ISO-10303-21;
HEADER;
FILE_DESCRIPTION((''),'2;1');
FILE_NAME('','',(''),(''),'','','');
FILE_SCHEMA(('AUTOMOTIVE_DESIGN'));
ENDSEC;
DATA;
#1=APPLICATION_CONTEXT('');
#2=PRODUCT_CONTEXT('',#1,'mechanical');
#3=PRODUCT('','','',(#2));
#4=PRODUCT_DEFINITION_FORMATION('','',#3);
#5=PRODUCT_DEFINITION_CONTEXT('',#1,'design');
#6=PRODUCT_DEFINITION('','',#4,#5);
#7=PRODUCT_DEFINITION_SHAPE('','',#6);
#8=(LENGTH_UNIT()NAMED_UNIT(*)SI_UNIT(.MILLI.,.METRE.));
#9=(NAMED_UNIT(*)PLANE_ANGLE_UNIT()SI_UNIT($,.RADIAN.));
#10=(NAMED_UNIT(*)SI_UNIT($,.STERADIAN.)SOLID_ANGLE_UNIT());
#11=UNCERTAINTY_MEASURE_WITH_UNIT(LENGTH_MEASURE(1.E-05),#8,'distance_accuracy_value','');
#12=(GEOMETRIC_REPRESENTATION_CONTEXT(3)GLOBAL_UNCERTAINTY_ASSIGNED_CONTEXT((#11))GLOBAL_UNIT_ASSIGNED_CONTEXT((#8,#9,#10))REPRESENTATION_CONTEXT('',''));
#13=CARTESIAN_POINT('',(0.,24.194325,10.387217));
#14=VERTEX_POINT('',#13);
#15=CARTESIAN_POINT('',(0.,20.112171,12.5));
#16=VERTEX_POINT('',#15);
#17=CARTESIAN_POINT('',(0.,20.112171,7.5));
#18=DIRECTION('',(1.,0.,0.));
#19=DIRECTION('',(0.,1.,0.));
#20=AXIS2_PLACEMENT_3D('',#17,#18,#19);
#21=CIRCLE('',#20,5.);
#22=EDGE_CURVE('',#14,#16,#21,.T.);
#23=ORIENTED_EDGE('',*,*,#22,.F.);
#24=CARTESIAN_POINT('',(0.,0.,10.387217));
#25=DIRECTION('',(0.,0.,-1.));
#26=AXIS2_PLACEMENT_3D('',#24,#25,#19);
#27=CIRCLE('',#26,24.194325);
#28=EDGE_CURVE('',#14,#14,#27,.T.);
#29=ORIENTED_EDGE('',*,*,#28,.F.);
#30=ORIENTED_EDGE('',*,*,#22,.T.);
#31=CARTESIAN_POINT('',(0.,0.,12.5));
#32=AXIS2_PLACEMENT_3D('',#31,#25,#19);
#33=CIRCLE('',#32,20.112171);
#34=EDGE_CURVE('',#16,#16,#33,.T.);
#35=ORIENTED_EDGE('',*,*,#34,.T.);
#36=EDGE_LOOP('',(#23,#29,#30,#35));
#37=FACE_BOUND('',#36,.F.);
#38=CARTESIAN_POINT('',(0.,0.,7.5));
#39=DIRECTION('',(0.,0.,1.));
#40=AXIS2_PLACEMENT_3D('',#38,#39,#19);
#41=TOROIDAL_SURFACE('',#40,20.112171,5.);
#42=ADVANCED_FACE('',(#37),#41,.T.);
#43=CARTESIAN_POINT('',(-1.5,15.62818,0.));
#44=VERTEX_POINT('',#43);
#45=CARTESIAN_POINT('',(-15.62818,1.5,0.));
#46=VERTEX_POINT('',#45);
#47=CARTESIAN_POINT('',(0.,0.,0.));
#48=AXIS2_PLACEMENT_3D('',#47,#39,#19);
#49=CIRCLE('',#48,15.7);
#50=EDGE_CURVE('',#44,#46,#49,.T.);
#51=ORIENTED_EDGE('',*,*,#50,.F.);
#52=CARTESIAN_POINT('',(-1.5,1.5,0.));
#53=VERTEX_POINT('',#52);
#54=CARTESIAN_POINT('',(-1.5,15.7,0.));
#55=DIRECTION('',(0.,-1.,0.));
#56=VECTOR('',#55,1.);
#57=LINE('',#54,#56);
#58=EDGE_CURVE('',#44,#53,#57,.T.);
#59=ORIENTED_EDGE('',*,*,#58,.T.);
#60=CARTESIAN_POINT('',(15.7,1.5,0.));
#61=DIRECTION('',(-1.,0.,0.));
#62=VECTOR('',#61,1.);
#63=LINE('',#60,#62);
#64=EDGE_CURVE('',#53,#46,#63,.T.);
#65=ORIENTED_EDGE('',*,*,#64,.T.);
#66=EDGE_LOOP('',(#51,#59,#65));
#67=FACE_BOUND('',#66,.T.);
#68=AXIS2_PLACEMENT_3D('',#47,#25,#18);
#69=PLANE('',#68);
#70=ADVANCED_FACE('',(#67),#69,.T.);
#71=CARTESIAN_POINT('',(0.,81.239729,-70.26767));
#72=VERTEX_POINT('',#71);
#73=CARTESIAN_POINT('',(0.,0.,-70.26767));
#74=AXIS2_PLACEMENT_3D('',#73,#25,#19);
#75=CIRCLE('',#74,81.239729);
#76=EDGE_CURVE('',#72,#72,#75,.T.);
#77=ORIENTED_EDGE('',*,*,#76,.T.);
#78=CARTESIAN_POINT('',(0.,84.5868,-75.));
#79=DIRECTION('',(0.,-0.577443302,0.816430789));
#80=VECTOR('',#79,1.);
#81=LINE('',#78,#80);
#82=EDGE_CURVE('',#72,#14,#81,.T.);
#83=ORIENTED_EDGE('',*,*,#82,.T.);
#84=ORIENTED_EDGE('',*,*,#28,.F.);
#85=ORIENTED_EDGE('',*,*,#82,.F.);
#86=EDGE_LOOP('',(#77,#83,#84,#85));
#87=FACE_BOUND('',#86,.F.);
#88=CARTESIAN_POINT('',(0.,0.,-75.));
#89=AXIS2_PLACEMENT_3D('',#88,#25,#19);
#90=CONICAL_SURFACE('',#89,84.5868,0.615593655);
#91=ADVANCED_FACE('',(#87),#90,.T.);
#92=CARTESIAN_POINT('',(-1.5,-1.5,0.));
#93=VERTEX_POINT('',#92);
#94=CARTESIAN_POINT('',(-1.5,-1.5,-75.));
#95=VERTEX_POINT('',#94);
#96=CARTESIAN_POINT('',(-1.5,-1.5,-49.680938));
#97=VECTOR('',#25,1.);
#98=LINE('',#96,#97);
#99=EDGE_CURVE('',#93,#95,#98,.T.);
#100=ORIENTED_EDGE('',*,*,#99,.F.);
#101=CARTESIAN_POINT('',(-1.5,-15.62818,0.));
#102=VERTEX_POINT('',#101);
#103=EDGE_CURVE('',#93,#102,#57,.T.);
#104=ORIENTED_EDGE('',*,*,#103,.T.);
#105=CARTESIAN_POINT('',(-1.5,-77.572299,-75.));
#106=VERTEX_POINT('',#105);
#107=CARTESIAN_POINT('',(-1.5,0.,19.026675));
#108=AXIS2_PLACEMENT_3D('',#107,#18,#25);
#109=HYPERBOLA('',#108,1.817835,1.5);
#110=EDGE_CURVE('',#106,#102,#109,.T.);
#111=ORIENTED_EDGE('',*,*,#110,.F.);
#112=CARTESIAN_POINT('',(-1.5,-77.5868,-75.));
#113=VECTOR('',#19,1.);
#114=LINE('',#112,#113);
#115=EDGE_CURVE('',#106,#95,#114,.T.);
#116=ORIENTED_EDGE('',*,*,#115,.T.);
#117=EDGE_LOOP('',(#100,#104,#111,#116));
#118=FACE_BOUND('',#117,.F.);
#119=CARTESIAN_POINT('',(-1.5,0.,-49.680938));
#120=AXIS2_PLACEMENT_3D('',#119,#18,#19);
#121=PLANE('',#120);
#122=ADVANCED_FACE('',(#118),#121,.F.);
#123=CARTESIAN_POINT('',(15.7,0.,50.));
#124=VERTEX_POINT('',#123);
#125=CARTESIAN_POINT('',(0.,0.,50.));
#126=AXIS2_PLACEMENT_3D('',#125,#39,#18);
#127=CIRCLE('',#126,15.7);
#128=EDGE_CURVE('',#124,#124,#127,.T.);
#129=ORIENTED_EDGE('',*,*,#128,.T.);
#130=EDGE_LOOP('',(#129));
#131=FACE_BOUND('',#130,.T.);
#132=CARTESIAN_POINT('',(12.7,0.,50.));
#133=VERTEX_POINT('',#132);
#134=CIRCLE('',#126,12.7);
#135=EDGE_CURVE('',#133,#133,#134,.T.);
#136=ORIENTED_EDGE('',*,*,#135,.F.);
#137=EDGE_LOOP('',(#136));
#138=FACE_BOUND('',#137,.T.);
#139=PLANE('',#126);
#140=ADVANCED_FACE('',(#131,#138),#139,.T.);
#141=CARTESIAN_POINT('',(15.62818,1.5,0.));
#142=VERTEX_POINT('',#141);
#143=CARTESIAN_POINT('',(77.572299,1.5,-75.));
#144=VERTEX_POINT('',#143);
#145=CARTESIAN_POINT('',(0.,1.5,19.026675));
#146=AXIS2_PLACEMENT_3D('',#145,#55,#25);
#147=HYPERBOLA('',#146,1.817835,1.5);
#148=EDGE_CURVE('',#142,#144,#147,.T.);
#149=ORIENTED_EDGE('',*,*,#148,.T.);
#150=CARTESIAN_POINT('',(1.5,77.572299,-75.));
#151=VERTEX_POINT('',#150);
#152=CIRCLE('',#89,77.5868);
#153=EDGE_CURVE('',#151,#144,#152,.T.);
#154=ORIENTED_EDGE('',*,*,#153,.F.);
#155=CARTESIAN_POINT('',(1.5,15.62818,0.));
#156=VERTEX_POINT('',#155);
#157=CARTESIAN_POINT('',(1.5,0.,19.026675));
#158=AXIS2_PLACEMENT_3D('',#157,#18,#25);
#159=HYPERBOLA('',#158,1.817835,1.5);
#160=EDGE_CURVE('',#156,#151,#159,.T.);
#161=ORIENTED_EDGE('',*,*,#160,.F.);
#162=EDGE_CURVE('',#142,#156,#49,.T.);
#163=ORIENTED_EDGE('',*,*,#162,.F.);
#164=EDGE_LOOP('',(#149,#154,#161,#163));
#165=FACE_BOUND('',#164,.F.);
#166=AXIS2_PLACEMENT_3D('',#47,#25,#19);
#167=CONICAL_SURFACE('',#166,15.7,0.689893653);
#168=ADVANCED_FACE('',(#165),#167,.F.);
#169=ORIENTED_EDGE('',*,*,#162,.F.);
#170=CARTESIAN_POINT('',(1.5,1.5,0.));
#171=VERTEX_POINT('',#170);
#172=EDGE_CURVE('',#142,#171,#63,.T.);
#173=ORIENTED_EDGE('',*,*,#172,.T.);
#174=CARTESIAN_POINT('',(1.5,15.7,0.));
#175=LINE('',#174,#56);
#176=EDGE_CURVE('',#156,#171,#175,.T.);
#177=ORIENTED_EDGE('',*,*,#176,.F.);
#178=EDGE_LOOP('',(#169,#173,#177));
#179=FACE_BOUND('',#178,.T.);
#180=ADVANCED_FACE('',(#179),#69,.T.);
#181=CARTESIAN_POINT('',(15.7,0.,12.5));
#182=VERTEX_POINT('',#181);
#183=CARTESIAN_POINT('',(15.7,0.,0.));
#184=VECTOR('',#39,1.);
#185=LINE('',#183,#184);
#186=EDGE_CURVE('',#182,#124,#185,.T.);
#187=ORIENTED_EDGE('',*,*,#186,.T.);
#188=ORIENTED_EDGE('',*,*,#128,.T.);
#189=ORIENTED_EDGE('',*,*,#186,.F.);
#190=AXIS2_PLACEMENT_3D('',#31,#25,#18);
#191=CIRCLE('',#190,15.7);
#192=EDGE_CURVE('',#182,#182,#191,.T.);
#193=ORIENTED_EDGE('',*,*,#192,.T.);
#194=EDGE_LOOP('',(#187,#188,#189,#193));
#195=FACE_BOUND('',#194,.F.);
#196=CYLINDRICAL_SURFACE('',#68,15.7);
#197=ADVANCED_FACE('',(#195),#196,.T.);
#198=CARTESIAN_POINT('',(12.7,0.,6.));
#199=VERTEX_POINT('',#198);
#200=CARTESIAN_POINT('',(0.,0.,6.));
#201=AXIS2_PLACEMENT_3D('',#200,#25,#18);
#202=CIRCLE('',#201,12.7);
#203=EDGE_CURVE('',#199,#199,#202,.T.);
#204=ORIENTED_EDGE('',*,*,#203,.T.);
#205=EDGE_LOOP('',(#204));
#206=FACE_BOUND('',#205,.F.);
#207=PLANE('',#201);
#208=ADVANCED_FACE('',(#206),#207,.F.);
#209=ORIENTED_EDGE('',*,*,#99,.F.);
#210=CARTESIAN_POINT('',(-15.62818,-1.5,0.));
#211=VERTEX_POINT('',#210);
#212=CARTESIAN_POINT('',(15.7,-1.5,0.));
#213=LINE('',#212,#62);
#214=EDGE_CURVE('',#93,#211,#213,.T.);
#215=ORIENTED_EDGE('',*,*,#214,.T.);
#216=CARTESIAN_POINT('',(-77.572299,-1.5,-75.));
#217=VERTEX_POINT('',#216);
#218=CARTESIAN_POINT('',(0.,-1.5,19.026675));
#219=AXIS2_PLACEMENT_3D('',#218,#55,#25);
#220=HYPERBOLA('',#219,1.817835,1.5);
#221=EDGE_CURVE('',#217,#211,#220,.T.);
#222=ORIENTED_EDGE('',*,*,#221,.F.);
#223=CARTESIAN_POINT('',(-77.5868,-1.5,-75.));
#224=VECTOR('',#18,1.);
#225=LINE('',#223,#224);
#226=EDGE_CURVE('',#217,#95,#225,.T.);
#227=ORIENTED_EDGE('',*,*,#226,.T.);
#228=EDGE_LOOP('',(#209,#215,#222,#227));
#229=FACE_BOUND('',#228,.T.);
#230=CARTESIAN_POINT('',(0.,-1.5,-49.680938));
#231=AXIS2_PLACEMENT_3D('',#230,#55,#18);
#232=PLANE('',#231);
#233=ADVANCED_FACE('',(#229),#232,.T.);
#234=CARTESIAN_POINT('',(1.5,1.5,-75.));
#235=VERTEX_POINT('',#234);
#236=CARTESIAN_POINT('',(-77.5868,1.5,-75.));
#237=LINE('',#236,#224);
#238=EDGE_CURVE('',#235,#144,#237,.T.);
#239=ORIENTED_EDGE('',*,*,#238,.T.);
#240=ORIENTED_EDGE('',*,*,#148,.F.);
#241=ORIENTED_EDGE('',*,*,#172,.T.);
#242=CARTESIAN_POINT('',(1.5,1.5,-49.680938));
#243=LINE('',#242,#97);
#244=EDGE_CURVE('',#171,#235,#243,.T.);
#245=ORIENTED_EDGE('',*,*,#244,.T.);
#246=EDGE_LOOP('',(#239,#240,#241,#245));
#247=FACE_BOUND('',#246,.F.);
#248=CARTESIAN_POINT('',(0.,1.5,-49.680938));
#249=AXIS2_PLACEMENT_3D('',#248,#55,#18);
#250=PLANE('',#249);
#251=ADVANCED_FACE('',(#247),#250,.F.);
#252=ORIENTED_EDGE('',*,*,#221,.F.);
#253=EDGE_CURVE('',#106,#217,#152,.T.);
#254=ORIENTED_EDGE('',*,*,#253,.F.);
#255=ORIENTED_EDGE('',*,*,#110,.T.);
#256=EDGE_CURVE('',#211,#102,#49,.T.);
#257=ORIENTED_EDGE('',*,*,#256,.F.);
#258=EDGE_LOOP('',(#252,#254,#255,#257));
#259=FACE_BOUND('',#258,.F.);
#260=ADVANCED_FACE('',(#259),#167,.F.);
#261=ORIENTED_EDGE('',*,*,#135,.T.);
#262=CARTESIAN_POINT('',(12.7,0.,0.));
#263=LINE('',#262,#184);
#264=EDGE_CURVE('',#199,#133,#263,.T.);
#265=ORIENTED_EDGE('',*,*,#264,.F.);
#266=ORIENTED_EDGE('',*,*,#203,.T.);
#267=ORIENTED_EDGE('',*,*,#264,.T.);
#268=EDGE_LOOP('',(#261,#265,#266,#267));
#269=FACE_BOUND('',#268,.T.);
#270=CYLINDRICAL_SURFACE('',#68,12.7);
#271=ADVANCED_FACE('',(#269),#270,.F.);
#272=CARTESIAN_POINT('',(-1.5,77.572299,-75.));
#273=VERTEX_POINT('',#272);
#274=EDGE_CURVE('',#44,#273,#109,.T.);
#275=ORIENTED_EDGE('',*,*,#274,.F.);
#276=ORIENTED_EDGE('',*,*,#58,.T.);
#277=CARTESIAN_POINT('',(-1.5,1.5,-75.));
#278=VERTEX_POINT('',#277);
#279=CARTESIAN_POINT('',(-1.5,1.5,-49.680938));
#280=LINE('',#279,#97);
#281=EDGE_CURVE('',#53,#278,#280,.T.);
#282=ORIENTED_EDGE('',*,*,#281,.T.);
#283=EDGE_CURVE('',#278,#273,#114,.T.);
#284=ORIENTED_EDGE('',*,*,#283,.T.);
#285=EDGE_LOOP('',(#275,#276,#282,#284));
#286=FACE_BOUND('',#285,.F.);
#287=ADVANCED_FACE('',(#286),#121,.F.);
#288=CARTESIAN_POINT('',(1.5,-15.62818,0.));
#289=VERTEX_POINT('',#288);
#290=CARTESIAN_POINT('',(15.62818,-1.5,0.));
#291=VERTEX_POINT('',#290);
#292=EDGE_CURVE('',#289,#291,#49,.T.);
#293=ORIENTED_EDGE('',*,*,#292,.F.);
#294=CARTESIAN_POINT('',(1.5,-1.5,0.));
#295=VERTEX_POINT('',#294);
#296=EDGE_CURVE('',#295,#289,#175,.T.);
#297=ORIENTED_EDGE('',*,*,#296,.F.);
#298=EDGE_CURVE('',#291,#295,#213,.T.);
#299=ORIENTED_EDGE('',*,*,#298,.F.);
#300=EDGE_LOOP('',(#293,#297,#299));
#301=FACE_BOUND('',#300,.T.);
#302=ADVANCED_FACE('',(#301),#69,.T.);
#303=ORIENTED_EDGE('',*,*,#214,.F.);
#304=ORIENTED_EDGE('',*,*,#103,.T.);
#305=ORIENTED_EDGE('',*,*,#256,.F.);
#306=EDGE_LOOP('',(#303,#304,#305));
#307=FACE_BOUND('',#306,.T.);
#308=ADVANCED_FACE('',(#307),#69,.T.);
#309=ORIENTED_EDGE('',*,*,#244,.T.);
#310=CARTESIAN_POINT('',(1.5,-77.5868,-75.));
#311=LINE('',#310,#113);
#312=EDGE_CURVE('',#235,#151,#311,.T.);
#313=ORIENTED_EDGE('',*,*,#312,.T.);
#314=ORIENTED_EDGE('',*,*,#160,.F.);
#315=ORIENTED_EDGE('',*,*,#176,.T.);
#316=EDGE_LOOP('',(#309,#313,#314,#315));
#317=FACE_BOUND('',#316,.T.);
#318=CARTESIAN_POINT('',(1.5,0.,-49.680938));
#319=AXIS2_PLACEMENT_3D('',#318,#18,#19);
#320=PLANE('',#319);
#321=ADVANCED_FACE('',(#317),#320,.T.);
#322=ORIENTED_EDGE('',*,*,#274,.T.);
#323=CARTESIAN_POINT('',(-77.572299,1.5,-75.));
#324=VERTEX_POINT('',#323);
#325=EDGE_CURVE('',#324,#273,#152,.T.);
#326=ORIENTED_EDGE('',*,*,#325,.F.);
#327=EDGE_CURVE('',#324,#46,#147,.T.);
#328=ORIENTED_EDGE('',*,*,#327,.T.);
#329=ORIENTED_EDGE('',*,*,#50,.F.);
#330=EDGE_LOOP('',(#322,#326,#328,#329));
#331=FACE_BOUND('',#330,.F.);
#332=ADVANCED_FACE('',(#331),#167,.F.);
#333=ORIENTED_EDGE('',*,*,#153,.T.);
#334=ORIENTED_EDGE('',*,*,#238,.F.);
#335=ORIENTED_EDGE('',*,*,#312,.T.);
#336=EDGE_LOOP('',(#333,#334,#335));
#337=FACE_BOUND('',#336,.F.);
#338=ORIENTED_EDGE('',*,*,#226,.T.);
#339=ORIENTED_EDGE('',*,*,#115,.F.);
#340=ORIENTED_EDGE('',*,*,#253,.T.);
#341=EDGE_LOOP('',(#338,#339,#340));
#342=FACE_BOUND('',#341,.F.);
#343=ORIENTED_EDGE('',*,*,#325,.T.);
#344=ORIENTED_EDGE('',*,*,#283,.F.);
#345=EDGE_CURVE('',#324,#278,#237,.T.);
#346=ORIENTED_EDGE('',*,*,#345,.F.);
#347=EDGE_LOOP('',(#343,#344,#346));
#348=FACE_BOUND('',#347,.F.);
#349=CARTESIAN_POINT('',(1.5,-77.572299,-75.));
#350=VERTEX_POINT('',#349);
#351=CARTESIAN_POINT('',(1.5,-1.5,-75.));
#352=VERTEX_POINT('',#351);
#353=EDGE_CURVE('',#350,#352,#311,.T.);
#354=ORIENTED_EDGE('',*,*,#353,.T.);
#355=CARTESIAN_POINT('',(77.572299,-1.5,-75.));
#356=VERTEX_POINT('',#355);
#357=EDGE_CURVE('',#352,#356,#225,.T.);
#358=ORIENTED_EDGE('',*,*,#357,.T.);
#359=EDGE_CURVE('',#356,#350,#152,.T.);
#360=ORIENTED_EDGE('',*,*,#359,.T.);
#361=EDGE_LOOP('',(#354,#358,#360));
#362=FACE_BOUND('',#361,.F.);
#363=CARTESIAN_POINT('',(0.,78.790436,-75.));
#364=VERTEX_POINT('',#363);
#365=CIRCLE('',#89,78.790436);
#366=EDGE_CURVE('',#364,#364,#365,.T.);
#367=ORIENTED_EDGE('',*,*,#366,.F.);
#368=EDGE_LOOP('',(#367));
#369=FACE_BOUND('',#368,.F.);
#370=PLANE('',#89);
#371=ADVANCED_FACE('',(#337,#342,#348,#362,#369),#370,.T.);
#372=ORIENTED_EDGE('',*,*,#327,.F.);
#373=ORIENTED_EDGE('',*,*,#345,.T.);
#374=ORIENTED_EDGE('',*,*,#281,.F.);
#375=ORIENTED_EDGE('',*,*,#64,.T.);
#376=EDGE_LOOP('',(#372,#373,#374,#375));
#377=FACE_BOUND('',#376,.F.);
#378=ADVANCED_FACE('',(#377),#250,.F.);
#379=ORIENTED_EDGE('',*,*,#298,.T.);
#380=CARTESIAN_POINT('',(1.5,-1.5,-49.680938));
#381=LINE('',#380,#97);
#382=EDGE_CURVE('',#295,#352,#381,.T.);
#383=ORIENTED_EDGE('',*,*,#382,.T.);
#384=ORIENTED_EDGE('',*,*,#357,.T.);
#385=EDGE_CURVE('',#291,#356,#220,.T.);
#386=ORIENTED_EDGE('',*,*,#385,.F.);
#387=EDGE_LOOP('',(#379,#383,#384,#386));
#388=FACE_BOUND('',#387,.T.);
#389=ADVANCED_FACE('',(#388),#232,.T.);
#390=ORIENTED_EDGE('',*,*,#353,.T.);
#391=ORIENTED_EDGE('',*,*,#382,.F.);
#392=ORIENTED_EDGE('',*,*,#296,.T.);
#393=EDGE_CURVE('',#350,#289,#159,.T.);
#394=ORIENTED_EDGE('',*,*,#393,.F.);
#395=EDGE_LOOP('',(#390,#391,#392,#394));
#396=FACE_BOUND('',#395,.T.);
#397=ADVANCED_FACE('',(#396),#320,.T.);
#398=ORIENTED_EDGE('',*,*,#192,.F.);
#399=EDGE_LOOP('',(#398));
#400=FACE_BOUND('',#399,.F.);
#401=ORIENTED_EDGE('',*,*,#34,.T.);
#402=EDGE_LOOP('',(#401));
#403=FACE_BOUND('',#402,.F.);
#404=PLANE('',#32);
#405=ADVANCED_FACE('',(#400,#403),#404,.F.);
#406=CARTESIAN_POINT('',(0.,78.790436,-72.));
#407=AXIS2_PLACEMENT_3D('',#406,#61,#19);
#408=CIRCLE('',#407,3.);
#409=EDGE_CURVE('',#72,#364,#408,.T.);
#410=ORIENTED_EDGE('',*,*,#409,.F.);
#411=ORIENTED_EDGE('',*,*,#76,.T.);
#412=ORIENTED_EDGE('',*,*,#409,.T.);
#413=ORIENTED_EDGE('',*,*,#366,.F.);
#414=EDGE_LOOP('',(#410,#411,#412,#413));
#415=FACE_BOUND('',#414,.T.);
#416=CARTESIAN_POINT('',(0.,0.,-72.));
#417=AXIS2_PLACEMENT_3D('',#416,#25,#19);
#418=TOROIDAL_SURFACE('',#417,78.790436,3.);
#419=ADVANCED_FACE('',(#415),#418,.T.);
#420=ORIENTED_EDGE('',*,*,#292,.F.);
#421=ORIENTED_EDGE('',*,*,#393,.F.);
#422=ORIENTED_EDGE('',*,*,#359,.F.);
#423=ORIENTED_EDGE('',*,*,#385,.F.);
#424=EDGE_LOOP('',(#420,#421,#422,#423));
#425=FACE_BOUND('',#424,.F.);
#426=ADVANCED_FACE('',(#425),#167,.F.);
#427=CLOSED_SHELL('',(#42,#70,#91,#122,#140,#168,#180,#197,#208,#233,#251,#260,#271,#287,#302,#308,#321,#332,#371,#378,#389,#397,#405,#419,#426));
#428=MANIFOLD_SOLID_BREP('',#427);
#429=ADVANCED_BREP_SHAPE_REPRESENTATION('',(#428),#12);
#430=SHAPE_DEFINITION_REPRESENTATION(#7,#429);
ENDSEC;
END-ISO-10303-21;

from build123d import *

# Parameters (mm, degrees)
F0_R     = 15.7
F0_R_2   = 12.7
F1_DEPTH = 50
F4_R     = 12.7
F5_DEPTH = 6
F7_DEPTH = 1.5
F9_DEPTH = 1.5
F10_R    = 5
F11_R    = 3


with BuildPart() as f1:
    # F0 (on Top) → F1 (new body)
    with BuildSketch(Plane.XY):
        Circle(F0_R)
        Circle(F0_R_2, mode=Mode.SUBTRACT)
    extrude(amount=F1_DEPTH)

    # F2 (on Right) → F3 (revolve)
    with BuildSketch(Plane.YZ):
        Polygon((22.7, 12.5), (15.7, 12.5), (15.7, 0), (77.5868, -75), (84.5868, -75), align=None)
    revolve(axis=Axis((0, 0, -38.817684), (0, 0, -1)))

    # F4 (on face) → F5 (join)
    with BuildSketch(Plane(origin=(0, 0, 0), x_dir=(1, 0, 0), z_dir=(0, 0, -1))):
        Circle(F4_R)
    extrude(amount=-F5_DEPTH)

    # F6 (on Right) → F7 (join, symmetric)
    with BuildSketch(Plane.YZ):
        Polygon((77.5868, -75), (15.7, 0), (0, 0), (-15.7, 0), (-77.5868, -75), (0, -75), align=None)
    extrude(amount=F7_DEPTH, both=True)

    # F8 (on Front) → F9 (join, symmetric)
    with BuildSketch(Plane.XZ):
        Polygon((77.5868, -75), (15.7, 0), (-15.7, 0), (-77.5868, -75), (0, -75), align=None)
    extrude(amount=F9_DEPTH, both=True)

    # F10
    f10_edges = [f1.edges().sort_by_distance(p)[0] for p in [
        (0, -22.7, 12.5),
    ]]
    fillet(f10_edges, radius=F10_R)

    # F11
    f11_edges = [f1.edges().sort_by_distance(p)[0] for p in [
        (0, -84.5868, -75),
    ]]
    fillet(f11_edges, radius=F11_R)


solid = f1.part
